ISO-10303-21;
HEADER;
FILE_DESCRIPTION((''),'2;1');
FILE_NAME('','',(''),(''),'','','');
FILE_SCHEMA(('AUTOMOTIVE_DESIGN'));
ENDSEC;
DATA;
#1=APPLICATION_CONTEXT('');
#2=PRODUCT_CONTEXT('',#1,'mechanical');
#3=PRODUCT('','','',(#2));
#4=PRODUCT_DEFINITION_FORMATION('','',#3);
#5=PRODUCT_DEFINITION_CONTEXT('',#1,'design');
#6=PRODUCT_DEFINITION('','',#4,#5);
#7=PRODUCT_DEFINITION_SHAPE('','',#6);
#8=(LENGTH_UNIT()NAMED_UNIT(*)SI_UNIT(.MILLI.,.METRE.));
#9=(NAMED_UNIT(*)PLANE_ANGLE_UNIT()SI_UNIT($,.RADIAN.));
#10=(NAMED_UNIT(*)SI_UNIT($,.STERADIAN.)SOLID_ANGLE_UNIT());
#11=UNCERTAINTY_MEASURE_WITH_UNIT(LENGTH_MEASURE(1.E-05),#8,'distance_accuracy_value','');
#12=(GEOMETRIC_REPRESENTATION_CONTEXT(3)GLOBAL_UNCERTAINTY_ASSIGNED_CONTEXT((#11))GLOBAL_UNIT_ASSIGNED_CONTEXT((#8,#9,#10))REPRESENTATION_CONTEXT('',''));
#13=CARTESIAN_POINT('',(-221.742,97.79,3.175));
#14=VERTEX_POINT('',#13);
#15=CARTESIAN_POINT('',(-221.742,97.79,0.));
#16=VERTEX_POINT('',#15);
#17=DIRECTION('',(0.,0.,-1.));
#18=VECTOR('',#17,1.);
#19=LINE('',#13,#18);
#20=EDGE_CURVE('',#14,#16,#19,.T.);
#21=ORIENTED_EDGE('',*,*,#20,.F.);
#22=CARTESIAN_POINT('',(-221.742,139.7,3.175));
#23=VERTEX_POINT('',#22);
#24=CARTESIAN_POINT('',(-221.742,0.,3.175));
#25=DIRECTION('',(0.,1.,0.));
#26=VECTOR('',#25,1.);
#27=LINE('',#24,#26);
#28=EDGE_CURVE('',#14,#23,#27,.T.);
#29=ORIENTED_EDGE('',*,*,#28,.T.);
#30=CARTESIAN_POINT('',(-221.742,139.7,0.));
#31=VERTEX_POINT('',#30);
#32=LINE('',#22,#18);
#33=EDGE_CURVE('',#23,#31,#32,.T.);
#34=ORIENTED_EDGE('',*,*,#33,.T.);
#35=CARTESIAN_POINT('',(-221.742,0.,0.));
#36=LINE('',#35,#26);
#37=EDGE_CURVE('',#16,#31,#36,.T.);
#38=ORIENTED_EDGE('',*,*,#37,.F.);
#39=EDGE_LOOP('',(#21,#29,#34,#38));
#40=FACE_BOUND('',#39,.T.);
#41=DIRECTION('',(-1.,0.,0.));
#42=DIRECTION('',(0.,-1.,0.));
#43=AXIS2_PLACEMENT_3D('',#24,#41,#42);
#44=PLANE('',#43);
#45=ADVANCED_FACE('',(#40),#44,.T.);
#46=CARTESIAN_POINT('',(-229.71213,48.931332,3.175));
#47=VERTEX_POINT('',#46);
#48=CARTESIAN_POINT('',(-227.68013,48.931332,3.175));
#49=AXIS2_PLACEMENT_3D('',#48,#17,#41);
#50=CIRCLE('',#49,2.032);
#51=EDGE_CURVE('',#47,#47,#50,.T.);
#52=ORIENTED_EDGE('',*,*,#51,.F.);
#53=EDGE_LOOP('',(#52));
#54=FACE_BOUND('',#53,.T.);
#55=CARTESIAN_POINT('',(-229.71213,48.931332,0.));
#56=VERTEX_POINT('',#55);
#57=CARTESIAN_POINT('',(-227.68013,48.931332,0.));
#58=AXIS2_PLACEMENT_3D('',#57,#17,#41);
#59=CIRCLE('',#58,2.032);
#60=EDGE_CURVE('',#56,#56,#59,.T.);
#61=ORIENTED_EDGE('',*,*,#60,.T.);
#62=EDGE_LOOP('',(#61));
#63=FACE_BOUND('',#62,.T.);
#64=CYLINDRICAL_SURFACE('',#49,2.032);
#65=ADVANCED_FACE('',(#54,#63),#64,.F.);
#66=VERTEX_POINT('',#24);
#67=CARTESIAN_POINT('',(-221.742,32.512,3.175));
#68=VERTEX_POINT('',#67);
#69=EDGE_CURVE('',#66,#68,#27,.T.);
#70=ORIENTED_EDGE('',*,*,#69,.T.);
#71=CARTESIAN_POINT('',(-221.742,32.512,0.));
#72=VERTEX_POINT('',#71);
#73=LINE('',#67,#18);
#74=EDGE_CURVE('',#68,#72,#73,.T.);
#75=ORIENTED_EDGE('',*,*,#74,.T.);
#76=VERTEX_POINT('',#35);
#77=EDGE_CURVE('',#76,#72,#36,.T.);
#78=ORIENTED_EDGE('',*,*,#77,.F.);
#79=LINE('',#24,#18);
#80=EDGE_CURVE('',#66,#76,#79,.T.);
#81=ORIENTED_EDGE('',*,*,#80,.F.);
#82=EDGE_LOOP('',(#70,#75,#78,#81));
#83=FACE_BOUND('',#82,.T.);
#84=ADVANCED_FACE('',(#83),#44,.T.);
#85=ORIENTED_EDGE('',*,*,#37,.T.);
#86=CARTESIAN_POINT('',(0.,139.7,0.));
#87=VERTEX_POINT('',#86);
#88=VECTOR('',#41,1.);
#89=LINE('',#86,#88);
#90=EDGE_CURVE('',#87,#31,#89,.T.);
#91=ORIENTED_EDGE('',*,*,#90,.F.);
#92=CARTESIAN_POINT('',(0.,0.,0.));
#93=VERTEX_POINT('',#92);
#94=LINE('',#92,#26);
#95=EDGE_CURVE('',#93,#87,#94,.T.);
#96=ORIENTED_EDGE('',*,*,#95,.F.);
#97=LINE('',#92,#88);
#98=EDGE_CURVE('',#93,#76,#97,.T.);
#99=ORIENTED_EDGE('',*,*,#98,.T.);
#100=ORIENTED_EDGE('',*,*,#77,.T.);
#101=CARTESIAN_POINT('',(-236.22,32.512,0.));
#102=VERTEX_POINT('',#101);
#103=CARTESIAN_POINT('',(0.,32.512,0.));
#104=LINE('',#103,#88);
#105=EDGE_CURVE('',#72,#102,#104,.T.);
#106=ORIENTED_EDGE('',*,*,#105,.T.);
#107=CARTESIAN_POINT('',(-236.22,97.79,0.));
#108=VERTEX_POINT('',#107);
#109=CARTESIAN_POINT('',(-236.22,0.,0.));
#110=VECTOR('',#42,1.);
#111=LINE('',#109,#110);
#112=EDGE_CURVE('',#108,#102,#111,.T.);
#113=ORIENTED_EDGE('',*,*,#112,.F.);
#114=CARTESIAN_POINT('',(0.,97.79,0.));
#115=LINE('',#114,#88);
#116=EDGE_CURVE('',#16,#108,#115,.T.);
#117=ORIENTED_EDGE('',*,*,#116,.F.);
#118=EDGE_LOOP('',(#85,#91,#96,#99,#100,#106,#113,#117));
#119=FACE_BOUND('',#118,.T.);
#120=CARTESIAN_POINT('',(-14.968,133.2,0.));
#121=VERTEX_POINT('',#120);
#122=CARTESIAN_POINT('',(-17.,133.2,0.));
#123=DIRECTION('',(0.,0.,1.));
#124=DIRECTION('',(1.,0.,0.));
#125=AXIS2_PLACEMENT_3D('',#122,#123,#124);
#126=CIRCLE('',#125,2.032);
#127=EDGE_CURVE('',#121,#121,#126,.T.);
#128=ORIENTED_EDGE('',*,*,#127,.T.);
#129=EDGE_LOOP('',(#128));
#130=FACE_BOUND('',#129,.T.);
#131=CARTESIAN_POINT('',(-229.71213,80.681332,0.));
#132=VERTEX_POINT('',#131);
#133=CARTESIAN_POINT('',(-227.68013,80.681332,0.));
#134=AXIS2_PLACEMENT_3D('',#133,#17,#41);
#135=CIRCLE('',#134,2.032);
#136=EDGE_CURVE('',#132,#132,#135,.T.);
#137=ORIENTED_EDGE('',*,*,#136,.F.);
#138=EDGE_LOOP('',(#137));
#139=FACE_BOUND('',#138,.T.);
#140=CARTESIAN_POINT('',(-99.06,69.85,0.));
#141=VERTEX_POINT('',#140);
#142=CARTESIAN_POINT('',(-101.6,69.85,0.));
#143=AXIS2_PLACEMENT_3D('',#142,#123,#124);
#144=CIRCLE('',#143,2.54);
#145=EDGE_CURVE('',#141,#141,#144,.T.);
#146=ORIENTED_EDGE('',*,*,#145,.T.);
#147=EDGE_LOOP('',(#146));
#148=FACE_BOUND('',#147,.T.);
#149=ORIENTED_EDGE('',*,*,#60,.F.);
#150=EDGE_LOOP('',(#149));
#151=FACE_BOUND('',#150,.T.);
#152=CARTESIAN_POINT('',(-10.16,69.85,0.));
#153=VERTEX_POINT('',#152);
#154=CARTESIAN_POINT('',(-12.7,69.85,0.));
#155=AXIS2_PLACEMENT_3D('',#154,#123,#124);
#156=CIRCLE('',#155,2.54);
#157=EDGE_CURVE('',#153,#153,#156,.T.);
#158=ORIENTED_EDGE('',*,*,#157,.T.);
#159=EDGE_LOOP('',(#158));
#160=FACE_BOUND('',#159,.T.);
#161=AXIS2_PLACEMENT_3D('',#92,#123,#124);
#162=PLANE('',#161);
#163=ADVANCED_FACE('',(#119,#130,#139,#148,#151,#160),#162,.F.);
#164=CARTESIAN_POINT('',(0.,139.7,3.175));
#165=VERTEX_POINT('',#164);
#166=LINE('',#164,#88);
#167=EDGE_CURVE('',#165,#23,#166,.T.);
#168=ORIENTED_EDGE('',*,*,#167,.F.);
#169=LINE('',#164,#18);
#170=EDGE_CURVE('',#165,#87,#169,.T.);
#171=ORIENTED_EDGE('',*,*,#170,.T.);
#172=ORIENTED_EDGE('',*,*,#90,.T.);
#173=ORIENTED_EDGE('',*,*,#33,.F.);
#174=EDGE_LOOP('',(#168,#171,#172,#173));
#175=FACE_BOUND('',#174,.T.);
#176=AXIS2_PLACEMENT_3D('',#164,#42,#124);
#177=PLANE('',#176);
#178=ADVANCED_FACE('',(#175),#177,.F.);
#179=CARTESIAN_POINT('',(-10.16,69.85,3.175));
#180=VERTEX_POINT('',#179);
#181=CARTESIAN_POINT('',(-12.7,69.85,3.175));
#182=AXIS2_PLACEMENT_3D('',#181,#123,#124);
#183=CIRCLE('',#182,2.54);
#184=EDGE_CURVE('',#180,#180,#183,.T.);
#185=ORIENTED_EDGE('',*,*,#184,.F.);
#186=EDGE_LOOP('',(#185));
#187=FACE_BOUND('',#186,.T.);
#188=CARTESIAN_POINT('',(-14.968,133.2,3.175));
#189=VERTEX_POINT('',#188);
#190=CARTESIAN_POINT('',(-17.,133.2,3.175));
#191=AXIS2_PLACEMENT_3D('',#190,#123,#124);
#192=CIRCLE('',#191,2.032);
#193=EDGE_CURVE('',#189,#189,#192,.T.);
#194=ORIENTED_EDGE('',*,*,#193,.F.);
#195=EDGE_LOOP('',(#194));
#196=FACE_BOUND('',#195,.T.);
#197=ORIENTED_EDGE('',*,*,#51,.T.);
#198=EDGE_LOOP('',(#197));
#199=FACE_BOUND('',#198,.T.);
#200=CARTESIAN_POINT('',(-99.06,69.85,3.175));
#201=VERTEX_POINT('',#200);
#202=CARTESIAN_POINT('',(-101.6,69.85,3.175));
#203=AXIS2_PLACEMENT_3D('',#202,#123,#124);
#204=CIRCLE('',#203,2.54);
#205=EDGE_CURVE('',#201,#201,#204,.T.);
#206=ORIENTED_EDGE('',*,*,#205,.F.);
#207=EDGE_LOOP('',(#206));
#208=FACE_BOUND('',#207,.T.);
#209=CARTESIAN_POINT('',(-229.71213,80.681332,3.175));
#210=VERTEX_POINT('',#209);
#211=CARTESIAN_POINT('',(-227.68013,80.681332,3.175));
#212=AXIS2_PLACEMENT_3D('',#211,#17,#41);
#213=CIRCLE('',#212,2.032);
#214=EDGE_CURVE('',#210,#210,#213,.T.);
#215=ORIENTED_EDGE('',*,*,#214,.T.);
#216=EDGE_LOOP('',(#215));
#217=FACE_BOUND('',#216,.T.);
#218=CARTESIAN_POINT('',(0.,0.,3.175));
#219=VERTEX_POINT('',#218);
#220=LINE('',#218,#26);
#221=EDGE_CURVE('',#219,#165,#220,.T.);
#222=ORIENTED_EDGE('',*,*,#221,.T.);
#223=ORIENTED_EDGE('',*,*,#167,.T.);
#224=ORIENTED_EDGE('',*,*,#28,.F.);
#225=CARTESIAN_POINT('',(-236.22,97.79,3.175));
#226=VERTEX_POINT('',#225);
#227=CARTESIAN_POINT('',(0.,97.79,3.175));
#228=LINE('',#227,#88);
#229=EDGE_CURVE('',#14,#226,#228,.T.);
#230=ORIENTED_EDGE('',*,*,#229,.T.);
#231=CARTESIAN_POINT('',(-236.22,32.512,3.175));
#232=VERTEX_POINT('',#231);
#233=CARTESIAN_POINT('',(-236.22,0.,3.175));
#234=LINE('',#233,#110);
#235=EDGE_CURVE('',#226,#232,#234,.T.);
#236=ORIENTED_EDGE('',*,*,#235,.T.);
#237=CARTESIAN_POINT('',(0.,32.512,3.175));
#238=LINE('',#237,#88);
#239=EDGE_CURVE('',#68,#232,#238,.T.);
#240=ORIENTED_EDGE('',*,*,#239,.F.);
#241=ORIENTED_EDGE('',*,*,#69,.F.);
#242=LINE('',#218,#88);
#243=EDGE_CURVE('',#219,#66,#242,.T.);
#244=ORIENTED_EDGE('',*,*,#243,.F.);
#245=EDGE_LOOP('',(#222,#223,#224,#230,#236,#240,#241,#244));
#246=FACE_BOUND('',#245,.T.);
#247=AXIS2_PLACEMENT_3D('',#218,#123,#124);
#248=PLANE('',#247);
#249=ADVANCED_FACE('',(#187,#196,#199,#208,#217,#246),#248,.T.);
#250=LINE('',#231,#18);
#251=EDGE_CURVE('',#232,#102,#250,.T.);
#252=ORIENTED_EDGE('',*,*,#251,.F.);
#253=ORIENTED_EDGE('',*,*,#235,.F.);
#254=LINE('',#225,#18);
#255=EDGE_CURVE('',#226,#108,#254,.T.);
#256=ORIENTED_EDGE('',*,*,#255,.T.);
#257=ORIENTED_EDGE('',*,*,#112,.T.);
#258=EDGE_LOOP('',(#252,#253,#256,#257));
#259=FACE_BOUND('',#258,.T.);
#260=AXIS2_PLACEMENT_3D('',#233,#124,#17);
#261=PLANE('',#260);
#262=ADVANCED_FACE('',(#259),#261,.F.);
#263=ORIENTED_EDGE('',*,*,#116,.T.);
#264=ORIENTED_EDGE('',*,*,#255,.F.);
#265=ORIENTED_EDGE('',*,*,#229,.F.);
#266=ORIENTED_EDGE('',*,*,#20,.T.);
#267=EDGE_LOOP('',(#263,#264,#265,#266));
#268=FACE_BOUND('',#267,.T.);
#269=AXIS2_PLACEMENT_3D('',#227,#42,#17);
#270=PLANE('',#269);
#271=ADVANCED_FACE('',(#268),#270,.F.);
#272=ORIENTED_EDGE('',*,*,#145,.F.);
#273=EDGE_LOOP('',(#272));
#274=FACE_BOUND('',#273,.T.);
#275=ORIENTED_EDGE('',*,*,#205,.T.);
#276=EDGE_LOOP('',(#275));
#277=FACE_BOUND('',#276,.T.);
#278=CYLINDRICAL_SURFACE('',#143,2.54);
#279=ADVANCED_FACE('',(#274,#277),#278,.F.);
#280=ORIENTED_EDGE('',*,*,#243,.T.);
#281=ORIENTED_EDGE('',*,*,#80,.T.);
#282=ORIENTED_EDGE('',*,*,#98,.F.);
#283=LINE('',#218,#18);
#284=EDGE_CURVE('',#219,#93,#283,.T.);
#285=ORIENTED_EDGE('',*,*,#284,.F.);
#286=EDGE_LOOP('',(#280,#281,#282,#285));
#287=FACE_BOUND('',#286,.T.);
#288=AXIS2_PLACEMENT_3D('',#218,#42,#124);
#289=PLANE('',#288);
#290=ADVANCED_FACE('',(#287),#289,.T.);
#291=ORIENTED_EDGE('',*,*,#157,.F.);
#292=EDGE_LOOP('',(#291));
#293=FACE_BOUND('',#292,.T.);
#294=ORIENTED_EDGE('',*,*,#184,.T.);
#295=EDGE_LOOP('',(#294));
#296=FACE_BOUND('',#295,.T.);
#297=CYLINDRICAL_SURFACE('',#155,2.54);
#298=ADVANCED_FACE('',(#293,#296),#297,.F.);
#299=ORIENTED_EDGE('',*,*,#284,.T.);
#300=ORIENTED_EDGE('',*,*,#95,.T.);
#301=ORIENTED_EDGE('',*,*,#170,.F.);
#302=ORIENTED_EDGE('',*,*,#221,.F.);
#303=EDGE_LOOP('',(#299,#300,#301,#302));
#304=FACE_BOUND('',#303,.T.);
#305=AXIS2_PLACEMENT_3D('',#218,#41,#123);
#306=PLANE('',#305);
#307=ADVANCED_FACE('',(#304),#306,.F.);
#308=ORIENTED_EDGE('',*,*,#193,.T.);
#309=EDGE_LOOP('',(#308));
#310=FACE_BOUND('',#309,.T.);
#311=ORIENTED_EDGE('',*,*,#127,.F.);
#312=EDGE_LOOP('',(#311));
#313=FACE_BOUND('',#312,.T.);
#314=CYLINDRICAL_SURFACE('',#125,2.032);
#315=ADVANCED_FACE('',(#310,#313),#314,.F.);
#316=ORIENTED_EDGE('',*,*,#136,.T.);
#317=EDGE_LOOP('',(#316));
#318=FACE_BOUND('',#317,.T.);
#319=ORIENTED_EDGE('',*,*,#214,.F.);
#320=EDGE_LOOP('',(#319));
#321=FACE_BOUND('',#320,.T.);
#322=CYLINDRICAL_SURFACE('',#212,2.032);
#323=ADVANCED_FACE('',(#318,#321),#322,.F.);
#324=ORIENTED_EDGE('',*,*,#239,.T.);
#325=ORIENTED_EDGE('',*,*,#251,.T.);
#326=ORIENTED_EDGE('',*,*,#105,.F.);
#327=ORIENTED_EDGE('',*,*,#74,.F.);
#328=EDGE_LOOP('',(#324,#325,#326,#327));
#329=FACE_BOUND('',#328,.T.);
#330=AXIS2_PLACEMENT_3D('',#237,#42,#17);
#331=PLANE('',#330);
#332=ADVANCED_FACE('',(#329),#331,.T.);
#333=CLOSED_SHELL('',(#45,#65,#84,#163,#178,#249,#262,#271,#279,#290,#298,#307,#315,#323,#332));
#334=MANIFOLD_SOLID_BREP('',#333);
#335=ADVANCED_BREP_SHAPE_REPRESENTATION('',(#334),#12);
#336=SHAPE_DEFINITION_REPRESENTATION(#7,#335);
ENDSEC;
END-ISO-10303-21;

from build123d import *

# Parameters (mm, degrees)
SKETCH1_W           = 221.742
SKETCH1_H           = 139.7
SKETCH1_W_2         = 14.478
SKETCH1_H_2         = 65.278
BOSS_EXTRUDE3_DEPTH = 3.175
SKETCH3_R           = 2.032
CUT_EXTRUDE2_DEPTH  = 4.175
SKETCH4_R           = 2.032
CUT_EXTRUDE3_DEPTH  = 4.175
SKETCH5_R           = 2.54
CUT_EXTRUDE4_DEPTH  = 4.175


with BuildPart() as part:
    # Sketch1 → Boss-Extrude3 (new body)
    with BuildSketch(Plane.XY):
        with Locations((-110.871, 69.85)):
            Rectangle(SKETCH1_W, SKETCH1_H)
        with Locations((-228.981, 65.151)):
            Rectangle(SKETCH1_W_2, SKETCH1_H_2)
    extrude(amount=BOSS_EXTRUDE3_DEPTH)

    # Sketch3 → Cut-Extrude2 (cut, through all)
    with BuildSketch(Plane(origin=(0, 0, 0), x_dir=(-1, 0, 0), z_dir=(0, 0, -1))):
        with Locations((227.680130405, 80.681331583)):
            Circle(SKETCH3_R)
        with Locations((227.680130405, 48.931331583)):
            Circle(SKETCH3_R)
    extrude(amount=-CUT_EXTRUDE2_DEPTH, mode=Mode.SUBTRACT)

    # Sketch4 → Cut-Extrude3 (cut, through all)
    with BuildSketch(Plane.XY.offset(3.175)):
        with Locations((-17, 133.2)):
            Circle(SKETCH4_R)
    extrude(amount=-CUT_EXTRUDE3_DEPTH, mode=Mode.SUBTRACT)

    # Sketch5 → Cut-Extrude4 (cut, through all)
    with BuildSketch(Plane.XY.offset(3.175)):
        with Locations((-101.6, 69.85)):
            Circle(SKETCH5_R)
        with Locations((-12.7, 69.85)):
            Circle(SKETCH5_R)
    extrude(amount=-CUT_EXTRUDE4_DEPTH, mode=Mode.SUBTRACT)


solid = part.part
